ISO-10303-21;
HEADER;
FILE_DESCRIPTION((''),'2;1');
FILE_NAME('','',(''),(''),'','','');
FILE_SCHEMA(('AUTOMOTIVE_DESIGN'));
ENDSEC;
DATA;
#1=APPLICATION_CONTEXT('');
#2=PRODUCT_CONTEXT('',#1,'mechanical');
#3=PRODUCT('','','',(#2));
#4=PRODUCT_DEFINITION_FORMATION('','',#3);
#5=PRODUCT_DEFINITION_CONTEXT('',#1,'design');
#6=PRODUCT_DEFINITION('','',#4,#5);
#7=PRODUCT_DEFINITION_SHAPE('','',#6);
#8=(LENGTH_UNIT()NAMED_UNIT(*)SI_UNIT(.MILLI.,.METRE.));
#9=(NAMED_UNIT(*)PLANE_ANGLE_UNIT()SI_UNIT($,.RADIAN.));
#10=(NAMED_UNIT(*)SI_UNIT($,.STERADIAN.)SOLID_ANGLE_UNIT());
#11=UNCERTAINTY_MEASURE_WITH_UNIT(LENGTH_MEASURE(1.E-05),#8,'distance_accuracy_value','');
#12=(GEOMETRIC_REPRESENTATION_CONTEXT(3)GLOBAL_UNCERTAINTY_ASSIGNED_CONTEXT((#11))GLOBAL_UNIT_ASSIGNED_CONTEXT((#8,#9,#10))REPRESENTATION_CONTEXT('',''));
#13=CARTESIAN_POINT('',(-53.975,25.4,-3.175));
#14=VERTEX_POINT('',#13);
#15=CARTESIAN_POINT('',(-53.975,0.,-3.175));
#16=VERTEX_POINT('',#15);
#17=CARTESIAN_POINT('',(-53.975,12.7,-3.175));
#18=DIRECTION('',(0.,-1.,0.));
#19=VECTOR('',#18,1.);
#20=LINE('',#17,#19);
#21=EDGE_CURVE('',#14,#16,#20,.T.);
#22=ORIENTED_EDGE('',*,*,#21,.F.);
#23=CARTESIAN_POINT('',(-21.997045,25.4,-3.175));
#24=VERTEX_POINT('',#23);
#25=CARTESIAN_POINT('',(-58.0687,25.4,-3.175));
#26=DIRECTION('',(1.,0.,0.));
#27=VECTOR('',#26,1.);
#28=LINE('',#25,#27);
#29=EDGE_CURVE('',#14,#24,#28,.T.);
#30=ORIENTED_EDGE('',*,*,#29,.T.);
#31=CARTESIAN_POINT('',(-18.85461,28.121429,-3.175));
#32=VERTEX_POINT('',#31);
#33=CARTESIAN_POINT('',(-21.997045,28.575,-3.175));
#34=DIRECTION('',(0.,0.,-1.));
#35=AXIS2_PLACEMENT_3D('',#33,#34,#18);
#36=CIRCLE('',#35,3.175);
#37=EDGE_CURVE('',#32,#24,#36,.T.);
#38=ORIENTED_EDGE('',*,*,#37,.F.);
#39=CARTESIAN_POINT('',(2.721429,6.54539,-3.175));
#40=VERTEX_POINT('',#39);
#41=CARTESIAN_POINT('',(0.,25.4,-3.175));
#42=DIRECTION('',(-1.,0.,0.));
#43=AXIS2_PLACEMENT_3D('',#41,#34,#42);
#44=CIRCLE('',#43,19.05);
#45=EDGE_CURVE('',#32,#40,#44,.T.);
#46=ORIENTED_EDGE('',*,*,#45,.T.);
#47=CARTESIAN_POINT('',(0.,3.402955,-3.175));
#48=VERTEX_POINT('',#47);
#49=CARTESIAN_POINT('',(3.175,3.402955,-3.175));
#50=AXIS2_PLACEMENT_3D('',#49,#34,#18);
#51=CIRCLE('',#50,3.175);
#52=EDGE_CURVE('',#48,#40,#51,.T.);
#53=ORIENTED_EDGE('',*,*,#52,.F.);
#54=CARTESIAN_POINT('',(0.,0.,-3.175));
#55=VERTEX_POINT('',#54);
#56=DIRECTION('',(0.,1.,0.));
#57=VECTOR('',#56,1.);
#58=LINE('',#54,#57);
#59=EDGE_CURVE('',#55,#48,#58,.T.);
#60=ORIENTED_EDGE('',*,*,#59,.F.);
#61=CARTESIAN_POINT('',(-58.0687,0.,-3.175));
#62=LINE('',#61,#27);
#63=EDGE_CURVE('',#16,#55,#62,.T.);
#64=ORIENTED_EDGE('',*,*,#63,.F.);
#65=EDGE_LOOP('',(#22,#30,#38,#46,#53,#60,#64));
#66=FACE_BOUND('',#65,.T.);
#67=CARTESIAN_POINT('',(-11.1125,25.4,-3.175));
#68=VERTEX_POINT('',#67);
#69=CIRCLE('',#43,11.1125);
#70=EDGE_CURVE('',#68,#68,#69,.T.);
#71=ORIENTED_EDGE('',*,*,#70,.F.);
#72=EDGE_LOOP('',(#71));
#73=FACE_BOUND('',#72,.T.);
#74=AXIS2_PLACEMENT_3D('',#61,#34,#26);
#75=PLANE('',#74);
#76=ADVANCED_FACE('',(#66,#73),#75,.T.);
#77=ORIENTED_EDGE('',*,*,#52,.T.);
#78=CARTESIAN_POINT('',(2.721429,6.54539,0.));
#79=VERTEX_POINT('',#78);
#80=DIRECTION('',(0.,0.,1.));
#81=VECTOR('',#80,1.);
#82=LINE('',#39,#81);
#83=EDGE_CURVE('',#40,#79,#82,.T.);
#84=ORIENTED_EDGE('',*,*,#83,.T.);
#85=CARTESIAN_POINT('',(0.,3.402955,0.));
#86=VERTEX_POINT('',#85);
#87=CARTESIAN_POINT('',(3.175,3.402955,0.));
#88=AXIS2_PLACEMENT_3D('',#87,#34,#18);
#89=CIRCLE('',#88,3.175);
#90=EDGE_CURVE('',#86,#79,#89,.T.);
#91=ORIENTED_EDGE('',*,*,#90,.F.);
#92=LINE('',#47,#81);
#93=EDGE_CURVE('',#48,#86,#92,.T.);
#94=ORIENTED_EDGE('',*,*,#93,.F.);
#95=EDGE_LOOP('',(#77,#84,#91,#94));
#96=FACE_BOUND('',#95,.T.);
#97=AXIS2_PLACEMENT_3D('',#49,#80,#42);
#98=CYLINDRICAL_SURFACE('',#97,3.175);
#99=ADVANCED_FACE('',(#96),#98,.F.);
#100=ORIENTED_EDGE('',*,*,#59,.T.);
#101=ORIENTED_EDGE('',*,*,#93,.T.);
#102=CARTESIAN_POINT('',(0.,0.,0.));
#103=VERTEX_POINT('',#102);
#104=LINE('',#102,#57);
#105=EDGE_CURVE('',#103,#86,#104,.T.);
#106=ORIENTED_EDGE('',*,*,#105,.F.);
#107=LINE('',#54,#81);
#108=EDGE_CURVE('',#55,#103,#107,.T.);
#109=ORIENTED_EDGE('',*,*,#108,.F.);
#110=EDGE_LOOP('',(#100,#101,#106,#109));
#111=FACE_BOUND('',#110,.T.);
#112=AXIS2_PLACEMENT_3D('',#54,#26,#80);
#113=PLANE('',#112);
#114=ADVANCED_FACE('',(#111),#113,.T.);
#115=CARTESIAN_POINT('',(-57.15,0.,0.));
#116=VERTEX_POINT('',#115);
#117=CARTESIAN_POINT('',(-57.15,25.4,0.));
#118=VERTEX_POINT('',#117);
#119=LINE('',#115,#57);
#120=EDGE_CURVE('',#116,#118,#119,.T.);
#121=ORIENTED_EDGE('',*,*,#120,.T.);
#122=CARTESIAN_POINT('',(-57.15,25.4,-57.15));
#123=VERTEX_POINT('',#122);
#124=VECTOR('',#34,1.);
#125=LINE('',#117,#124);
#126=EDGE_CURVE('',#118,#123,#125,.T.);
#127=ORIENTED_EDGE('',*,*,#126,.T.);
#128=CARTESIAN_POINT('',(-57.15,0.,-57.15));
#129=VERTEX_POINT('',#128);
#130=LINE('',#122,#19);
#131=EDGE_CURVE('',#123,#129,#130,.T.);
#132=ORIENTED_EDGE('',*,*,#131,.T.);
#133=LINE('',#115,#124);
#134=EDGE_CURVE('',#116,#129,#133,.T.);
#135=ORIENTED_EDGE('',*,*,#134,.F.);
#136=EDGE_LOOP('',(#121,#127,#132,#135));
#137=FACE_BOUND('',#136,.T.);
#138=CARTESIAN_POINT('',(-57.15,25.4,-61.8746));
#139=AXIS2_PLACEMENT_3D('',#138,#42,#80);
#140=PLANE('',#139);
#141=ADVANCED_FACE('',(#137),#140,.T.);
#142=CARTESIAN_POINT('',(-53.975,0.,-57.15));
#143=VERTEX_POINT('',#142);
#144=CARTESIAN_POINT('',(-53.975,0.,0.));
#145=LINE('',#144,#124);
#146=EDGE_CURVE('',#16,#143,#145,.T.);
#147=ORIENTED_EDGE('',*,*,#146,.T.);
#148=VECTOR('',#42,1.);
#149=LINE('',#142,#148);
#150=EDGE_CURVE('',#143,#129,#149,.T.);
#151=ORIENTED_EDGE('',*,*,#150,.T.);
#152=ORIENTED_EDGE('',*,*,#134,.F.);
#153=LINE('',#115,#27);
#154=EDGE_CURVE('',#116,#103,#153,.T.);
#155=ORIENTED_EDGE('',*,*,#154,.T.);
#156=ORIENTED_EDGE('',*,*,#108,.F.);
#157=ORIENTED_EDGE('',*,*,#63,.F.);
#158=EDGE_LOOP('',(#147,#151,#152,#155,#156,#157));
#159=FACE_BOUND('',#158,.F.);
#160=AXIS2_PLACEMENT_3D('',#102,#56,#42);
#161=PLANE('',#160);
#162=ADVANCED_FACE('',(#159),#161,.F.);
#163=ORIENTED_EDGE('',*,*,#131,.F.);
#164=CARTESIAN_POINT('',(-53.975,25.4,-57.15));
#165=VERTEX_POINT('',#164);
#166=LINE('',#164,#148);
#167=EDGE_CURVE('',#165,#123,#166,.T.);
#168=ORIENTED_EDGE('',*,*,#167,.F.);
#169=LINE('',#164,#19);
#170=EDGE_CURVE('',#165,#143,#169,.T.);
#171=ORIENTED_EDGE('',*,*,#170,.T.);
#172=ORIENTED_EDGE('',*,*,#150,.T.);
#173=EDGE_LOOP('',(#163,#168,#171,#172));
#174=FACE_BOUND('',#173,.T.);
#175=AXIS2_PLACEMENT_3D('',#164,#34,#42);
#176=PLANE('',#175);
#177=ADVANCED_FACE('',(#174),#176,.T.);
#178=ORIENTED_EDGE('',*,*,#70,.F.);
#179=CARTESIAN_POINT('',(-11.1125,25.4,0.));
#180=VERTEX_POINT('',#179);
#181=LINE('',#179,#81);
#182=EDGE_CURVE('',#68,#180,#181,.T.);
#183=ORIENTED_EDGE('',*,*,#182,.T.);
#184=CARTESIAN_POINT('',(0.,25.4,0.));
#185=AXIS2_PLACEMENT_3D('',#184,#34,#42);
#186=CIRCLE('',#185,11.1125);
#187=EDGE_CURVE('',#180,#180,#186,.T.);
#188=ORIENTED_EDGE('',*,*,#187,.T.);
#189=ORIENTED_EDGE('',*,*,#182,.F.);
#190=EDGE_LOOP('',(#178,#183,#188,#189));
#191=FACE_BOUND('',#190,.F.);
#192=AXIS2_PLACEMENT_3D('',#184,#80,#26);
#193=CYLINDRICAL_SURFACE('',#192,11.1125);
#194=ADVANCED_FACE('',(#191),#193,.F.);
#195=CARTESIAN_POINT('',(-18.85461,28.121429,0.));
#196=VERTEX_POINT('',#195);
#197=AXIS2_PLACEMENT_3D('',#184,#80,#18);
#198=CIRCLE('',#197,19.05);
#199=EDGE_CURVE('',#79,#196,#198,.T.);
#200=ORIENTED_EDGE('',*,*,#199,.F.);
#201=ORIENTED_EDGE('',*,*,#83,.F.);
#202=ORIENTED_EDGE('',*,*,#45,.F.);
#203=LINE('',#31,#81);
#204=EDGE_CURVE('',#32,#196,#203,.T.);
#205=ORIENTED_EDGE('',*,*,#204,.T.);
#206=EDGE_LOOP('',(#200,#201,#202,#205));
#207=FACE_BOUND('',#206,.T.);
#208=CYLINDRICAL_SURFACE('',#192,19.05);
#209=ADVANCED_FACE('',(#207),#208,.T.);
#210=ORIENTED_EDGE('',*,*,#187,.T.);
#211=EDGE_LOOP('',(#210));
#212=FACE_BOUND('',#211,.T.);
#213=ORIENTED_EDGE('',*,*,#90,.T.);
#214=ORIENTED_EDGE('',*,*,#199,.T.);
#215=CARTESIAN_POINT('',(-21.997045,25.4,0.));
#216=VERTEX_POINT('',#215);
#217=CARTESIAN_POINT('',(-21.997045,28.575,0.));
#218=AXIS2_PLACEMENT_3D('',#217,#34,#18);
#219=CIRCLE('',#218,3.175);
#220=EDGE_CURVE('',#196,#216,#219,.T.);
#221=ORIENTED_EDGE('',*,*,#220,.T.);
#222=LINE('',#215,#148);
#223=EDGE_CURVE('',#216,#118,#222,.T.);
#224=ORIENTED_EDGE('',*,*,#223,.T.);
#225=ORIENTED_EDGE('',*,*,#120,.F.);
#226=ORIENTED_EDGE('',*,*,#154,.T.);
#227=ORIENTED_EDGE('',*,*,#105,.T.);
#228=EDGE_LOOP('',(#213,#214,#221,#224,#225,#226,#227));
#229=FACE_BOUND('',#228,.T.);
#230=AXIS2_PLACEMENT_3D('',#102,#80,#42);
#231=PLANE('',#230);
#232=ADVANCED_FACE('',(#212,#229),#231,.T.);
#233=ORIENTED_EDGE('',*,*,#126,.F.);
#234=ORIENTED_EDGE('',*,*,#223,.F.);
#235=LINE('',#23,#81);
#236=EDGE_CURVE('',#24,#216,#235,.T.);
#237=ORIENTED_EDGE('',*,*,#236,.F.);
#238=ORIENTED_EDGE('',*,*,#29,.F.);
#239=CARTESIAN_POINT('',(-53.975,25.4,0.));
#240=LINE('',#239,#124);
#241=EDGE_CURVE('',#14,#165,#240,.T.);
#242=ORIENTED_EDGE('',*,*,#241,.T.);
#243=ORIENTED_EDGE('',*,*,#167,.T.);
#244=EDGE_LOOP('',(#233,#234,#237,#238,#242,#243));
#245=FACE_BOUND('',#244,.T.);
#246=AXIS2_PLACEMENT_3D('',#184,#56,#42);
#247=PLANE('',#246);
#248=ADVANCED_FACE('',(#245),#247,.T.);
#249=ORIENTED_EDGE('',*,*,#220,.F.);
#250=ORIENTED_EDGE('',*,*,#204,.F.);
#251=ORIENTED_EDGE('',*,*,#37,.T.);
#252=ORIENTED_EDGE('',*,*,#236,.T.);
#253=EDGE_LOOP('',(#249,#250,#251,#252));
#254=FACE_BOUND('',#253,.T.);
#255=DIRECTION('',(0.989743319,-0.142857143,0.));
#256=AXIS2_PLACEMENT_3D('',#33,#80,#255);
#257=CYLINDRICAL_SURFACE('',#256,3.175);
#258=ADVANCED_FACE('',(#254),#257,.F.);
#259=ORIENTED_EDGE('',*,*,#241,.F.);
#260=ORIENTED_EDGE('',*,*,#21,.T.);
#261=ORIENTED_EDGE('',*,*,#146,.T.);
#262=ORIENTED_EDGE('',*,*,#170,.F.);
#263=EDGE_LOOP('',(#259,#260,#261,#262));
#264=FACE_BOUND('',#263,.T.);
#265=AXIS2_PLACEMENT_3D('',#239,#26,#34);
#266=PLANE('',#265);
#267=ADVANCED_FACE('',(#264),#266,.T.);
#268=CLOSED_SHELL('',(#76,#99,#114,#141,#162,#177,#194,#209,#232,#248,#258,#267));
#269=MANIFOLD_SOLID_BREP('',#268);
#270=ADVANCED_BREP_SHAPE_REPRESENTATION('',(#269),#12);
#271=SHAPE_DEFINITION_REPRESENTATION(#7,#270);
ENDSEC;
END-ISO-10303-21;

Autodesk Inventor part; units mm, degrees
ref_plane "YZ Plane" through (0, 0, 0) normal (1, 0, 0) x (0, 1, 0)
ref_plane "XZ Plane" through (0, 0, 0) normal (0, 1, 0) x (-1, 0, 0)
ref_plane "XY Plane" through (0, 0, 0) normal (0, 0, 1) x (1, 0, 0)
sketch "Sketch1" plane through (0, 0, 0) normal (0, 1, 0) x (-1, 0, 0)
  line L0 (0, 0) -> (57.15, 0)
  line L1 (112.534, 31.2241) -> (58.0687, -3.175)
  line L2 (58.0687, -3.175) -> (0, -3.175)
  line L3 (0, -3.175) -> (0, 0)
  line L4 (110.8385, 33.9086) -> (112.534, 31.2241)
  line L5 (57.15, 0) -> (110.8385, 33.9086)
  dimension "d0" = 3.175
  dimension "d1" = 3.175
  dimension "d3" = 57.15
  dimension "d4" = 63.5
  dimension "d5" = 147.724
extrude "Extrusion1" add sketch "Sketch1" along normal blind 25.4
sketch "Sketch2" plane through (-57.15, 0, 0) normal (0, 0, 1) x (1, 0, 0)
  line L0 (0, 25.4) -> (57.15, 25.4) projected
  circle A0 centre (57.15, 25.4) radius 11.1125
  line L1 (57.15, 0) -> (57.15, 25.4) projected
  circle A1 centre (57.15, 25.4) radius 19.05
  dimension "d8" = 22.225
  dimension "d9" = 38.1
extrude "Extrusion2" add sketch "Sketch2" against normal blind 3.175 contours A1 L1 A0 L0 | L0 A0 L1 A1
sketch "Sketch3" plane through (-57.15, 0, 0) normal (0, 0, 1) x (1, 0, 0)
  line L0 (57.15, 14.2875) -> (57.15, 25.4) projected
  circle A0 centre (57.15, 25.4) radius 11.1125
  point P0 (57.15, 0)
extrude "Extrusion3" cut sketch "Sketch3" against normal blind 3.175
fillet "Fillet1" radius 3.175 2 edges at (0, 6.35, -1.5875) (-19.05, 25.4, -1.5875)
sketch "Sketch4" plane through (0, 25.4, 0) normal (0, 1, 0) x (1, 0, 0)
  line L0 (0, 0) -> (-63.5, 0)
  line L1 (-136.491, 61.8746) -> (-57.15, 61.8746)
  line L2 (-57.15, 61.8746) -> (-57.15, -40.3817)
  line L3 (-57.15, -40.3817) -> (-136.491, -40.3817)
  line L4 (-136.491, -40.3817) -> (-136.491, 61.8746)
  dimension "d15" = 63.5
extrude "Extrusion4" cut sketch "Sketch4" against normal blind 31.75
sketch "Sketch5" plane through (0, 25.4, 0) normal (0, 1, 0) x (1, 0, 0)
  line L0 (0, 0) -> (-57.15, 0)
  line L1 (-57.15, 0) -> (-57.15, 3.175) projected
  line L2 (-57.15, 0) -> (-53.975, 0)
  line L3 (-53.975, 0) -> (-53.975, 57.15)
  line L4 (-53.975, 57.15) -> (-57.15, 57.15)
  line L5 (-57.15, 57.15) -> (-57.15, 0)
  dimension "d18" = 57.15
  dimension "d19" = 3.175
  dimension "d20" = 57.15
extrude "Extrusion5" add sketch "Sketch5" against normal up to surface (25.4 mm away)
properties part number "Pivot Bracket"
